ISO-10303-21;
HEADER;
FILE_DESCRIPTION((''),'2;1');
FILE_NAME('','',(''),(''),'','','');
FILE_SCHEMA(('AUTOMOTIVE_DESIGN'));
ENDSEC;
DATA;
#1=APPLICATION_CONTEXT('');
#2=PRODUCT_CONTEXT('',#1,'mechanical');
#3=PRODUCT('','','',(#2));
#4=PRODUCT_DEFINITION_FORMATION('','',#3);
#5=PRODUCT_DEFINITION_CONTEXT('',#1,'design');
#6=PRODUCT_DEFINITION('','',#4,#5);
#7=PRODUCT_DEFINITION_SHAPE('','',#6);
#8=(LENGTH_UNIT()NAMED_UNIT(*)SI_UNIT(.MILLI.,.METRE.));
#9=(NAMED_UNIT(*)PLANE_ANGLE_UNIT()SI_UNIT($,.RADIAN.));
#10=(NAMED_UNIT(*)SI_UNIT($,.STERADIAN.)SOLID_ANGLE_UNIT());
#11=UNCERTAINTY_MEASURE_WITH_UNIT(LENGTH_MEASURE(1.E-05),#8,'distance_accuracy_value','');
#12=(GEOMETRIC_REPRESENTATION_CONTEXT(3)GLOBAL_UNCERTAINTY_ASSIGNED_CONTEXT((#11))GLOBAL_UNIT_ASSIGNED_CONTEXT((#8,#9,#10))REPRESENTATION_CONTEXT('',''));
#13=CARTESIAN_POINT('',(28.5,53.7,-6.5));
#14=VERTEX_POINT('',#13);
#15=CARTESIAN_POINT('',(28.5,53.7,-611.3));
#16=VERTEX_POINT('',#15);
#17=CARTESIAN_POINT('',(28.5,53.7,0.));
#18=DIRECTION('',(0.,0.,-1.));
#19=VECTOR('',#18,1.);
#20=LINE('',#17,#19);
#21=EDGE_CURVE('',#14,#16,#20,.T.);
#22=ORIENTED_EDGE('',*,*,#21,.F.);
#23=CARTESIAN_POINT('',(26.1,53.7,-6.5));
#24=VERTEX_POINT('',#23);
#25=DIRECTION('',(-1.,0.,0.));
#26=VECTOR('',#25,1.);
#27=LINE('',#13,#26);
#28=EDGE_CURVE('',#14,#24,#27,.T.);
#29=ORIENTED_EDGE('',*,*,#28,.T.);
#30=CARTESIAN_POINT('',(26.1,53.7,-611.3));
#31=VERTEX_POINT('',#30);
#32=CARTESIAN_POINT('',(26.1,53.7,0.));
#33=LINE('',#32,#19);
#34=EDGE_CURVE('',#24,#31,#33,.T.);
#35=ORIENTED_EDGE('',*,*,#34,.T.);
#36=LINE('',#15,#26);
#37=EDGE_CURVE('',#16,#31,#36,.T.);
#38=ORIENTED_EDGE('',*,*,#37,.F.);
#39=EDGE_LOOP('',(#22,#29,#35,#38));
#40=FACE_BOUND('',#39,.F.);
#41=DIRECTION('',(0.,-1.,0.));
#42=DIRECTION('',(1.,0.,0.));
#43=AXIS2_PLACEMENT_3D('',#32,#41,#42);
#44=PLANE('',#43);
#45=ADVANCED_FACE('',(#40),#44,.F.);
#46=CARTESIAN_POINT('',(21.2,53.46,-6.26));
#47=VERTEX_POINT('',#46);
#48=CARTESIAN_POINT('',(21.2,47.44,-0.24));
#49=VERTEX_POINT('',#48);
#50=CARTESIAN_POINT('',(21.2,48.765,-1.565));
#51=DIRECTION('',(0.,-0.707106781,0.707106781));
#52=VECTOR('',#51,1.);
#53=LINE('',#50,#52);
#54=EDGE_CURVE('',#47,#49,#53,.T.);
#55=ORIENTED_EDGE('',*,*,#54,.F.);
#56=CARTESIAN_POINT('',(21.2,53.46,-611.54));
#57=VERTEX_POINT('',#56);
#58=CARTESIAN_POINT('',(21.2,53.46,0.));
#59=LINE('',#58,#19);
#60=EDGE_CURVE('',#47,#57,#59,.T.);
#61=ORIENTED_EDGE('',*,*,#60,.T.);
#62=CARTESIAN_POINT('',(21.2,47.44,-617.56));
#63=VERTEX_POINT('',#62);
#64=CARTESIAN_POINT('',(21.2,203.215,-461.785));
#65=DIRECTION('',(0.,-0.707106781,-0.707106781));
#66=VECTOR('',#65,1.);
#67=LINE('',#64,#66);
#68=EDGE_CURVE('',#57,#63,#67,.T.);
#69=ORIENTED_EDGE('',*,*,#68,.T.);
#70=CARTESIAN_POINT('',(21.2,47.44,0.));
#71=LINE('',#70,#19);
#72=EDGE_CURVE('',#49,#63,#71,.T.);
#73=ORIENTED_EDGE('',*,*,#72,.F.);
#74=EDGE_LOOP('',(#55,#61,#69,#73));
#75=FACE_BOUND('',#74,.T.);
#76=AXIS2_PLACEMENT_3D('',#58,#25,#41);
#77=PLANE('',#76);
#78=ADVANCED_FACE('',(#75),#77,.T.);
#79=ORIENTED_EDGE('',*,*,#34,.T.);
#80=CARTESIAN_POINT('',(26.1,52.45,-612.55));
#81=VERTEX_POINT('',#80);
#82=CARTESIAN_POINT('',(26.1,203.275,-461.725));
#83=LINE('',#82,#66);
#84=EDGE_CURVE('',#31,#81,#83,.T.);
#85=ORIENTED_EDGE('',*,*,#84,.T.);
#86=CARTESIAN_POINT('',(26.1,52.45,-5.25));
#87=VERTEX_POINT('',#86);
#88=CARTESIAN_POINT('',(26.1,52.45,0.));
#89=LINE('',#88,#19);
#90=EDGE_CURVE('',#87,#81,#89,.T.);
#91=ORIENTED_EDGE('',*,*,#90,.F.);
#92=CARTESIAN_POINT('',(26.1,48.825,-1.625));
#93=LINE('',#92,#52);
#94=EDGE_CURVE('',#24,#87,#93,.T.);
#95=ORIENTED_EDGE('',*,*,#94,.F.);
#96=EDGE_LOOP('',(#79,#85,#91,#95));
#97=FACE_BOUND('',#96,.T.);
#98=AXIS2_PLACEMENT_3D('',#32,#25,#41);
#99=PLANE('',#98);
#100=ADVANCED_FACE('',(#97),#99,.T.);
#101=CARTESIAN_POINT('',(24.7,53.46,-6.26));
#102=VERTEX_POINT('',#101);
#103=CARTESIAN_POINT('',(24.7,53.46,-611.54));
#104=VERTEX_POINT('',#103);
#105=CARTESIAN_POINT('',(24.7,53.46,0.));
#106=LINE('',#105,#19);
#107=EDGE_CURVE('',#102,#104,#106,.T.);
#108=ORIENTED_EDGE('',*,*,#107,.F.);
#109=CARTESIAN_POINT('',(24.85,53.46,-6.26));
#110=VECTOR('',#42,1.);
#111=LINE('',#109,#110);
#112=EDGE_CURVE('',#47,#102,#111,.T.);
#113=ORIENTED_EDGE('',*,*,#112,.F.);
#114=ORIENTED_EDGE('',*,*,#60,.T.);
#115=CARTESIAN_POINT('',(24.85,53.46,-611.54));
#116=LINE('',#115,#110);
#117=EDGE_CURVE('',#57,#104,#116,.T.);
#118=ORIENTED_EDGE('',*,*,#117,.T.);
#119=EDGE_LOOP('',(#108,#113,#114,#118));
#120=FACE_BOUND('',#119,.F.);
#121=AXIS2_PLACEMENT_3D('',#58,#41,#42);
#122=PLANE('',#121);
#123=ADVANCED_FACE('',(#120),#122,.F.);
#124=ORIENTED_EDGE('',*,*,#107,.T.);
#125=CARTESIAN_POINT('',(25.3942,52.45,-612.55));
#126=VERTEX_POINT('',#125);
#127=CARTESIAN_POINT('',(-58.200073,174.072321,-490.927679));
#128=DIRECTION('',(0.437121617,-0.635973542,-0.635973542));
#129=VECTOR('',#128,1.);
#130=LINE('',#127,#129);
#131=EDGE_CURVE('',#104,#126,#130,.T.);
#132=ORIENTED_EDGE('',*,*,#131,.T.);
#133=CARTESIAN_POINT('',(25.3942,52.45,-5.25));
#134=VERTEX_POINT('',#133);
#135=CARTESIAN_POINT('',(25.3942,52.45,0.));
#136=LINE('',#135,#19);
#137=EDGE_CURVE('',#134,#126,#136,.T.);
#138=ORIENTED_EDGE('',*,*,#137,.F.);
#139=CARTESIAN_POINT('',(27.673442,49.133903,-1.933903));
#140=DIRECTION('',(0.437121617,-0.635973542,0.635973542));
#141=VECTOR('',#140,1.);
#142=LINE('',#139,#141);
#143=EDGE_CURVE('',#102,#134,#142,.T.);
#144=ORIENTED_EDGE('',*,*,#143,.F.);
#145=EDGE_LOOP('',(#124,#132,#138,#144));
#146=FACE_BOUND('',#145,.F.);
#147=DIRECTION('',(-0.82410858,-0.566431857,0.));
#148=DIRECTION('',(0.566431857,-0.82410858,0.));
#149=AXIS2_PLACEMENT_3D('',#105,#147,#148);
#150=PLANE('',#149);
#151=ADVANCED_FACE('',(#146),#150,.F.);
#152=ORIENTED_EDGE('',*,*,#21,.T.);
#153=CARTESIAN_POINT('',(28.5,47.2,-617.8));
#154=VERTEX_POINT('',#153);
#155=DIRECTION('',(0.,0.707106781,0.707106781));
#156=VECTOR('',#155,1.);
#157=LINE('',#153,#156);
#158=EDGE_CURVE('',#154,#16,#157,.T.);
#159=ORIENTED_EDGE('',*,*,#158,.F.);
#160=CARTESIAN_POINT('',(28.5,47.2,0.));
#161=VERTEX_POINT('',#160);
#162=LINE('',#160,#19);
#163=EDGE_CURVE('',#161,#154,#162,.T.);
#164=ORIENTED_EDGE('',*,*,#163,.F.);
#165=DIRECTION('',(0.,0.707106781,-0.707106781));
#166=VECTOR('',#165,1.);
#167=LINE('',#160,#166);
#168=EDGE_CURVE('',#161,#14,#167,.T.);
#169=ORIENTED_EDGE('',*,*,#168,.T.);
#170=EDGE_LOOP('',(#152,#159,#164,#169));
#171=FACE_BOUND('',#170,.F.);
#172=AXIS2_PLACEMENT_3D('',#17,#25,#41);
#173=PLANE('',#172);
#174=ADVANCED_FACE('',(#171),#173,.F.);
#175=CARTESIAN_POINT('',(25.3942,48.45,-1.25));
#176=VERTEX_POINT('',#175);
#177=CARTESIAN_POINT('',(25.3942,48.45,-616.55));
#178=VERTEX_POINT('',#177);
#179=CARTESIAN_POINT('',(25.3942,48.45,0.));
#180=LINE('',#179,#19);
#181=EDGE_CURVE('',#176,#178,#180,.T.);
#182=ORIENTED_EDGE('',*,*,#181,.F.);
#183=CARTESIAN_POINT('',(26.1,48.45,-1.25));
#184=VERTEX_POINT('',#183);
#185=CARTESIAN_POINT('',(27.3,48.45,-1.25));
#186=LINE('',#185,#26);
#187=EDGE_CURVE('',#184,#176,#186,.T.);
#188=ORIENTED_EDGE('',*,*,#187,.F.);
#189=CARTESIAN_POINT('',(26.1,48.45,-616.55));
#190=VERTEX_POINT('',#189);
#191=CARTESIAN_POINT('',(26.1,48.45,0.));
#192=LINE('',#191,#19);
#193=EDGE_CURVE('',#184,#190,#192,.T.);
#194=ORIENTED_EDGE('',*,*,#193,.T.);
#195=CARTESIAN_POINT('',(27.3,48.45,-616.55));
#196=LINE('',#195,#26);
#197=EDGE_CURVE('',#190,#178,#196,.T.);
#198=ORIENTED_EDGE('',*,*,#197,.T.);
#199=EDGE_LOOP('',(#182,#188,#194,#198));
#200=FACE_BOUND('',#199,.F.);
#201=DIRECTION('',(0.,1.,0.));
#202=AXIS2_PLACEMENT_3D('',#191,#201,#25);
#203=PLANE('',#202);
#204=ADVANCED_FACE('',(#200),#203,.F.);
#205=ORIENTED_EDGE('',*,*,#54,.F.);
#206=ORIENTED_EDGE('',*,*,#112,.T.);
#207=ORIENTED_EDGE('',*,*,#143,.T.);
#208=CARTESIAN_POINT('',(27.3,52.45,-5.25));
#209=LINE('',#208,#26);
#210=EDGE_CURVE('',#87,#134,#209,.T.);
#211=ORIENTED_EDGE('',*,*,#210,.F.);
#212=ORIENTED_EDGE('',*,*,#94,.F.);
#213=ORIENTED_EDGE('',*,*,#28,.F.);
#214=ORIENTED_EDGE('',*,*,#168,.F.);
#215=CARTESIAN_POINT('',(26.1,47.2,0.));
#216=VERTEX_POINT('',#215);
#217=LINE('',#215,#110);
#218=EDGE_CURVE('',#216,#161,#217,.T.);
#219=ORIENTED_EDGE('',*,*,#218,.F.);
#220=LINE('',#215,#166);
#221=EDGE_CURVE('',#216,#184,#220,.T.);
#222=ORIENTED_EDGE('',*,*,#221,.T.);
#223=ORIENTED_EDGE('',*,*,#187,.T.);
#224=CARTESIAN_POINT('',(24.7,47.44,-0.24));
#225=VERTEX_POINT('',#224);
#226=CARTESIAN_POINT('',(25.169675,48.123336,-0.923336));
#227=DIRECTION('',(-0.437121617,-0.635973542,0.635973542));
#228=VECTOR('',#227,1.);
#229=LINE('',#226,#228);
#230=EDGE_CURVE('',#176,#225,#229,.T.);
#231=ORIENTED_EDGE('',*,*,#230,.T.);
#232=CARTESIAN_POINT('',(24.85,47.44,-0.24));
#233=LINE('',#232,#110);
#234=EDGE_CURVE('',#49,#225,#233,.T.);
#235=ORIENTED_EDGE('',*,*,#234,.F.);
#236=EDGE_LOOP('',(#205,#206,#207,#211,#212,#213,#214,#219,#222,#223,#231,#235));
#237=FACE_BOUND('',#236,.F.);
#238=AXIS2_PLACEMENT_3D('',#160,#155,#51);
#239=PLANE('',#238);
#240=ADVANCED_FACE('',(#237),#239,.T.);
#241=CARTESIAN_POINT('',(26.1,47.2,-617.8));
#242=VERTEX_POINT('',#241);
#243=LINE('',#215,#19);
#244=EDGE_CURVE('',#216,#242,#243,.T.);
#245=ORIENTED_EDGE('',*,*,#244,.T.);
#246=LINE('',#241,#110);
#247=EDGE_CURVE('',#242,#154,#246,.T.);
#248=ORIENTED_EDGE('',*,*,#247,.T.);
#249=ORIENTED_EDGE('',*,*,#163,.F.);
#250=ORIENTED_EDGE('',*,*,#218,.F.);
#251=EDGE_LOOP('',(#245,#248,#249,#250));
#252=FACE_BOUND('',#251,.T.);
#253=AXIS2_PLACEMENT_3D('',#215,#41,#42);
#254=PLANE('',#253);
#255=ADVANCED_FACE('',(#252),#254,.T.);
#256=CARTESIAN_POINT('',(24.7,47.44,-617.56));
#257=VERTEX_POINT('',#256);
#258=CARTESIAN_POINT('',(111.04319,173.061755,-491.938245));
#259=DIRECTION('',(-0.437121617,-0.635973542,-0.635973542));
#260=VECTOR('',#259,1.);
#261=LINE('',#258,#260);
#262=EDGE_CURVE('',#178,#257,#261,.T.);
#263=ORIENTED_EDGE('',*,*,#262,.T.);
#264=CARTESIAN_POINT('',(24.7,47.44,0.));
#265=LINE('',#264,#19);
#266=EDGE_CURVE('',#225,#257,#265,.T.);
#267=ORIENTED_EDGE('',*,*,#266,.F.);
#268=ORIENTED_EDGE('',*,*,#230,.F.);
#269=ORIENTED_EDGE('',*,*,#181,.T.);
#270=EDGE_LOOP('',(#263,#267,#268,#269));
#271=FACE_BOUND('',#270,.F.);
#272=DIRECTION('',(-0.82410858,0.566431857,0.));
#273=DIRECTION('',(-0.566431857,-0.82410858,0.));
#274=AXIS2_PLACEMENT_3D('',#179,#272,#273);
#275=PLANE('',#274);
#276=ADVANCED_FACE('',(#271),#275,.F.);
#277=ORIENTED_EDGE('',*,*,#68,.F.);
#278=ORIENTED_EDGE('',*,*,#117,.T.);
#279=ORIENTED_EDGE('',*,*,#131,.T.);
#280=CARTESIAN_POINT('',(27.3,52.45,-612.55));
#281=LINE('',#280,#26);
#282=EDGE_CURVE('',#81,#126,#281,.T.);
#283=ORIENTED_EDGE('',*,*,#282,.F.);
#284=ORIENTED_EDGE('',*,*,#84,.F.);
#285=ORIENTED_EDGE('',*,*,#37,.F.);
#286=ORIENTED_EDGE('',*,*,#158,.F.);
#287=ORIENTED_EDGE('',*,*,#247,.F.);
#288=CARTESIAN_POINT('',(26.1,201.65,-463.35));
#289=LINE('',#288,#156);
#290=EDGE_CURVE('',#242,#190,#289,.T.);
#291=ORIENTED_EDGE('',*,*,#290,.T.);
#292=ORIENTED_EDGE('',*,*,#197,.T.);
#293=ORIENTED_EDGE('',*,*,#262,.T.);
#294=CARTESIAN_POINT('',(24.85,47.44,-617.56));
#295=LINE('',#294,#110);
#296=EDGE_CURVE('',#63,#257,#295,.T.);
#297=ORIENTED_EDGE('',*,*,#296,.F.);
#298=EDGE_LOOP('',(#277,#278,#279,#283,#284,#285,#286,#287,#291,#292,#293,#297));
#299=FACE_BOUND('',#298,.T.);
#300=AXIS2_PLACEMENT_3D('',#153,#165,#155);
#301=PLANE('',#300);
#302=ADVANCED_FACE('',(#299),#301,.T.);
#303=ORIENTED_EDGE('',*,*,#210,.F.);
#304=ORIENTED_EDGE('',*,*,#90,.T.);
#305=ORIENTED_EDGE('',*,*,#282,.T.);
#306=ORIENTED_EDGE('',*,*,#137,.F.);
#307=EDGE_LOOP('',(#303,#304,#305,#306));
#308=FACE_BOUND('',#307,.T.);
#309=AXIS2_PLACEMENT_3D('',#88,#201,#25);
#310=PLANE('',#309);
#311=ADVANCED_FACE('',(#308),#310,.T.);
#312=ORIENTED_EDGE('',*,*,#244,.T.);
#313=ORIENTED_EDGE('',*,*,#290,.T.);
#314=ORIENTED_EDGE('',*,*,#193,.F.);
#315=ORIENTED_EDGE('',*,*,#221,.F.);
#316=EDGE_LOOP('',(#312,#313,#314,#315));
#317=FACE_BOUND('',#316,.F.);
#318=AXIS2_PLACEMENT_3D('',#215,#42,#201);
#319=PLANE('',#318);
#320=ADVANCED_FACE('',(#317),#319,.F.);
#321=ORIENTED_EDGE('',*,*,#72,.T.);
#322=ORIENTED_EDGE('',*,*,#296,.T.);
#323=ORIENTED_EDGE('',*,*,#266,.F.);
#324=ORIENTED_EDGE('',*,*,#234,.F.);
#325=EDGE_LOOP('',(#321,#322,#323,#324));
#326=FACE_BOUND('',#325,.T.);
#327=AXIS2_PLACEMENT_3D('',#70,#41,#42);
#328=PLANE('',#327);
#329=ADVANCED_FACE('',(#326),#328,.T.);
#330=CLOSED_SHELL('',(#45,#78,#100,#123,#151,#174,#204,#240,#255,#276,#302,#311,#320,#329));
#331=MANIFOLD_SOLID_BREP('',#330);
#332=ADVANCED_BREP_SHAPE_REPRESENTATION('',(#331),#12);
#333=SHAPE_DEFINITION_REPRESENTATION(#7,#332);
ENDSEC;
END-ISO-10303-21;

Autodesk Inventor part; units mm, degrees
ref_plane "YZ Plane" through (0, 0, 0) normal (1, 0, 0) x (0, 1, 0)
ref_plane "XZ Plane" through (0, 0, 0) normal (0, 1, 0) x (-1, 0, 0)
sketch "Boceto1" plane through (0, 0, 0) normal (0, 0, 1) x (1, 0, 0)
  line L0 (28.5, 53.7) -> (28.5, 47.2)
  line L1 (26.1, 47.2) -> (28.5, 47.2)
  line L2 (26.1, 48.45) -> (25.3942, 48.45)
  line L3 (25.3942, 48.45) -> (24.7, 47.44)
  line L4 (26.1, 52.45) -> (25.3942, 52.45)
  line L5 (26.1, 53.7) -> (28.5, 53.7)
  line L6 (24.7, 53.46) -> (25.3942, 52.45)
  line L7 (26.1, 53.7) -> (26.1, 52.45)
  line L8 (26.1, 47.2) -> (26.1, 48.45)
  line L9 (21.2, 47.44) -> (24.7, 47.44)
  line L10 (21.2, 53.46) -> (21.2, 47.44)
  line L11 (21.2, 53.46) -> (24.7, 53.46)
  point P0 (28.5, 50.45)
  dimension "d78" = 6.5
  dimension "d88" = 2.4
  dimension "d95" = 6.02
  dimension "d100" = 2.4
  dimension "d108" = 4
  dimension "d109" = 0.7058
  dimension "d110" = 0.7058
  dimension "d145" = 2
  dimension "d146" = 2
  dimension "d150" = 3.5
  dimension "d151" = 3.5
extrude "Extrusión1" add sketch "Boceto1" against normal blind 617.8
ref_plane "Plano de trabajo1" through (0, 0, -308.9) normal (0, 0, 1) x (1, 0, 0)
sketch "Boceto2" plane through (28.5, -22.9, 0) normal (-1, 0, 0) x (0, 0, 1)
  line L0 (-617.8, 76.6) -> (-617.8, 70.1) projected
  line L1 (-617.8, 70.1) -> (-617.8, 76.6)
  line L2 (-617.8, 76.6) -> (-611.3, 76.6)
  line L3 (0, 76.6) -> (-617.8, 76.6) projected
  line L4 (-617.8, 70.1) -> (-611.3, 76.6)
  dimension "d149" = 45
extrude "Extrusión2" cut sketch "Boceto2" along normal through all
mirror "Simetría1" about plane through (0, 0, -308.9) normal (0, 0, 1) of "Extrusión2"
properties part number "SP40-02 JUNTA INT 207" material "Caucho, negro"
